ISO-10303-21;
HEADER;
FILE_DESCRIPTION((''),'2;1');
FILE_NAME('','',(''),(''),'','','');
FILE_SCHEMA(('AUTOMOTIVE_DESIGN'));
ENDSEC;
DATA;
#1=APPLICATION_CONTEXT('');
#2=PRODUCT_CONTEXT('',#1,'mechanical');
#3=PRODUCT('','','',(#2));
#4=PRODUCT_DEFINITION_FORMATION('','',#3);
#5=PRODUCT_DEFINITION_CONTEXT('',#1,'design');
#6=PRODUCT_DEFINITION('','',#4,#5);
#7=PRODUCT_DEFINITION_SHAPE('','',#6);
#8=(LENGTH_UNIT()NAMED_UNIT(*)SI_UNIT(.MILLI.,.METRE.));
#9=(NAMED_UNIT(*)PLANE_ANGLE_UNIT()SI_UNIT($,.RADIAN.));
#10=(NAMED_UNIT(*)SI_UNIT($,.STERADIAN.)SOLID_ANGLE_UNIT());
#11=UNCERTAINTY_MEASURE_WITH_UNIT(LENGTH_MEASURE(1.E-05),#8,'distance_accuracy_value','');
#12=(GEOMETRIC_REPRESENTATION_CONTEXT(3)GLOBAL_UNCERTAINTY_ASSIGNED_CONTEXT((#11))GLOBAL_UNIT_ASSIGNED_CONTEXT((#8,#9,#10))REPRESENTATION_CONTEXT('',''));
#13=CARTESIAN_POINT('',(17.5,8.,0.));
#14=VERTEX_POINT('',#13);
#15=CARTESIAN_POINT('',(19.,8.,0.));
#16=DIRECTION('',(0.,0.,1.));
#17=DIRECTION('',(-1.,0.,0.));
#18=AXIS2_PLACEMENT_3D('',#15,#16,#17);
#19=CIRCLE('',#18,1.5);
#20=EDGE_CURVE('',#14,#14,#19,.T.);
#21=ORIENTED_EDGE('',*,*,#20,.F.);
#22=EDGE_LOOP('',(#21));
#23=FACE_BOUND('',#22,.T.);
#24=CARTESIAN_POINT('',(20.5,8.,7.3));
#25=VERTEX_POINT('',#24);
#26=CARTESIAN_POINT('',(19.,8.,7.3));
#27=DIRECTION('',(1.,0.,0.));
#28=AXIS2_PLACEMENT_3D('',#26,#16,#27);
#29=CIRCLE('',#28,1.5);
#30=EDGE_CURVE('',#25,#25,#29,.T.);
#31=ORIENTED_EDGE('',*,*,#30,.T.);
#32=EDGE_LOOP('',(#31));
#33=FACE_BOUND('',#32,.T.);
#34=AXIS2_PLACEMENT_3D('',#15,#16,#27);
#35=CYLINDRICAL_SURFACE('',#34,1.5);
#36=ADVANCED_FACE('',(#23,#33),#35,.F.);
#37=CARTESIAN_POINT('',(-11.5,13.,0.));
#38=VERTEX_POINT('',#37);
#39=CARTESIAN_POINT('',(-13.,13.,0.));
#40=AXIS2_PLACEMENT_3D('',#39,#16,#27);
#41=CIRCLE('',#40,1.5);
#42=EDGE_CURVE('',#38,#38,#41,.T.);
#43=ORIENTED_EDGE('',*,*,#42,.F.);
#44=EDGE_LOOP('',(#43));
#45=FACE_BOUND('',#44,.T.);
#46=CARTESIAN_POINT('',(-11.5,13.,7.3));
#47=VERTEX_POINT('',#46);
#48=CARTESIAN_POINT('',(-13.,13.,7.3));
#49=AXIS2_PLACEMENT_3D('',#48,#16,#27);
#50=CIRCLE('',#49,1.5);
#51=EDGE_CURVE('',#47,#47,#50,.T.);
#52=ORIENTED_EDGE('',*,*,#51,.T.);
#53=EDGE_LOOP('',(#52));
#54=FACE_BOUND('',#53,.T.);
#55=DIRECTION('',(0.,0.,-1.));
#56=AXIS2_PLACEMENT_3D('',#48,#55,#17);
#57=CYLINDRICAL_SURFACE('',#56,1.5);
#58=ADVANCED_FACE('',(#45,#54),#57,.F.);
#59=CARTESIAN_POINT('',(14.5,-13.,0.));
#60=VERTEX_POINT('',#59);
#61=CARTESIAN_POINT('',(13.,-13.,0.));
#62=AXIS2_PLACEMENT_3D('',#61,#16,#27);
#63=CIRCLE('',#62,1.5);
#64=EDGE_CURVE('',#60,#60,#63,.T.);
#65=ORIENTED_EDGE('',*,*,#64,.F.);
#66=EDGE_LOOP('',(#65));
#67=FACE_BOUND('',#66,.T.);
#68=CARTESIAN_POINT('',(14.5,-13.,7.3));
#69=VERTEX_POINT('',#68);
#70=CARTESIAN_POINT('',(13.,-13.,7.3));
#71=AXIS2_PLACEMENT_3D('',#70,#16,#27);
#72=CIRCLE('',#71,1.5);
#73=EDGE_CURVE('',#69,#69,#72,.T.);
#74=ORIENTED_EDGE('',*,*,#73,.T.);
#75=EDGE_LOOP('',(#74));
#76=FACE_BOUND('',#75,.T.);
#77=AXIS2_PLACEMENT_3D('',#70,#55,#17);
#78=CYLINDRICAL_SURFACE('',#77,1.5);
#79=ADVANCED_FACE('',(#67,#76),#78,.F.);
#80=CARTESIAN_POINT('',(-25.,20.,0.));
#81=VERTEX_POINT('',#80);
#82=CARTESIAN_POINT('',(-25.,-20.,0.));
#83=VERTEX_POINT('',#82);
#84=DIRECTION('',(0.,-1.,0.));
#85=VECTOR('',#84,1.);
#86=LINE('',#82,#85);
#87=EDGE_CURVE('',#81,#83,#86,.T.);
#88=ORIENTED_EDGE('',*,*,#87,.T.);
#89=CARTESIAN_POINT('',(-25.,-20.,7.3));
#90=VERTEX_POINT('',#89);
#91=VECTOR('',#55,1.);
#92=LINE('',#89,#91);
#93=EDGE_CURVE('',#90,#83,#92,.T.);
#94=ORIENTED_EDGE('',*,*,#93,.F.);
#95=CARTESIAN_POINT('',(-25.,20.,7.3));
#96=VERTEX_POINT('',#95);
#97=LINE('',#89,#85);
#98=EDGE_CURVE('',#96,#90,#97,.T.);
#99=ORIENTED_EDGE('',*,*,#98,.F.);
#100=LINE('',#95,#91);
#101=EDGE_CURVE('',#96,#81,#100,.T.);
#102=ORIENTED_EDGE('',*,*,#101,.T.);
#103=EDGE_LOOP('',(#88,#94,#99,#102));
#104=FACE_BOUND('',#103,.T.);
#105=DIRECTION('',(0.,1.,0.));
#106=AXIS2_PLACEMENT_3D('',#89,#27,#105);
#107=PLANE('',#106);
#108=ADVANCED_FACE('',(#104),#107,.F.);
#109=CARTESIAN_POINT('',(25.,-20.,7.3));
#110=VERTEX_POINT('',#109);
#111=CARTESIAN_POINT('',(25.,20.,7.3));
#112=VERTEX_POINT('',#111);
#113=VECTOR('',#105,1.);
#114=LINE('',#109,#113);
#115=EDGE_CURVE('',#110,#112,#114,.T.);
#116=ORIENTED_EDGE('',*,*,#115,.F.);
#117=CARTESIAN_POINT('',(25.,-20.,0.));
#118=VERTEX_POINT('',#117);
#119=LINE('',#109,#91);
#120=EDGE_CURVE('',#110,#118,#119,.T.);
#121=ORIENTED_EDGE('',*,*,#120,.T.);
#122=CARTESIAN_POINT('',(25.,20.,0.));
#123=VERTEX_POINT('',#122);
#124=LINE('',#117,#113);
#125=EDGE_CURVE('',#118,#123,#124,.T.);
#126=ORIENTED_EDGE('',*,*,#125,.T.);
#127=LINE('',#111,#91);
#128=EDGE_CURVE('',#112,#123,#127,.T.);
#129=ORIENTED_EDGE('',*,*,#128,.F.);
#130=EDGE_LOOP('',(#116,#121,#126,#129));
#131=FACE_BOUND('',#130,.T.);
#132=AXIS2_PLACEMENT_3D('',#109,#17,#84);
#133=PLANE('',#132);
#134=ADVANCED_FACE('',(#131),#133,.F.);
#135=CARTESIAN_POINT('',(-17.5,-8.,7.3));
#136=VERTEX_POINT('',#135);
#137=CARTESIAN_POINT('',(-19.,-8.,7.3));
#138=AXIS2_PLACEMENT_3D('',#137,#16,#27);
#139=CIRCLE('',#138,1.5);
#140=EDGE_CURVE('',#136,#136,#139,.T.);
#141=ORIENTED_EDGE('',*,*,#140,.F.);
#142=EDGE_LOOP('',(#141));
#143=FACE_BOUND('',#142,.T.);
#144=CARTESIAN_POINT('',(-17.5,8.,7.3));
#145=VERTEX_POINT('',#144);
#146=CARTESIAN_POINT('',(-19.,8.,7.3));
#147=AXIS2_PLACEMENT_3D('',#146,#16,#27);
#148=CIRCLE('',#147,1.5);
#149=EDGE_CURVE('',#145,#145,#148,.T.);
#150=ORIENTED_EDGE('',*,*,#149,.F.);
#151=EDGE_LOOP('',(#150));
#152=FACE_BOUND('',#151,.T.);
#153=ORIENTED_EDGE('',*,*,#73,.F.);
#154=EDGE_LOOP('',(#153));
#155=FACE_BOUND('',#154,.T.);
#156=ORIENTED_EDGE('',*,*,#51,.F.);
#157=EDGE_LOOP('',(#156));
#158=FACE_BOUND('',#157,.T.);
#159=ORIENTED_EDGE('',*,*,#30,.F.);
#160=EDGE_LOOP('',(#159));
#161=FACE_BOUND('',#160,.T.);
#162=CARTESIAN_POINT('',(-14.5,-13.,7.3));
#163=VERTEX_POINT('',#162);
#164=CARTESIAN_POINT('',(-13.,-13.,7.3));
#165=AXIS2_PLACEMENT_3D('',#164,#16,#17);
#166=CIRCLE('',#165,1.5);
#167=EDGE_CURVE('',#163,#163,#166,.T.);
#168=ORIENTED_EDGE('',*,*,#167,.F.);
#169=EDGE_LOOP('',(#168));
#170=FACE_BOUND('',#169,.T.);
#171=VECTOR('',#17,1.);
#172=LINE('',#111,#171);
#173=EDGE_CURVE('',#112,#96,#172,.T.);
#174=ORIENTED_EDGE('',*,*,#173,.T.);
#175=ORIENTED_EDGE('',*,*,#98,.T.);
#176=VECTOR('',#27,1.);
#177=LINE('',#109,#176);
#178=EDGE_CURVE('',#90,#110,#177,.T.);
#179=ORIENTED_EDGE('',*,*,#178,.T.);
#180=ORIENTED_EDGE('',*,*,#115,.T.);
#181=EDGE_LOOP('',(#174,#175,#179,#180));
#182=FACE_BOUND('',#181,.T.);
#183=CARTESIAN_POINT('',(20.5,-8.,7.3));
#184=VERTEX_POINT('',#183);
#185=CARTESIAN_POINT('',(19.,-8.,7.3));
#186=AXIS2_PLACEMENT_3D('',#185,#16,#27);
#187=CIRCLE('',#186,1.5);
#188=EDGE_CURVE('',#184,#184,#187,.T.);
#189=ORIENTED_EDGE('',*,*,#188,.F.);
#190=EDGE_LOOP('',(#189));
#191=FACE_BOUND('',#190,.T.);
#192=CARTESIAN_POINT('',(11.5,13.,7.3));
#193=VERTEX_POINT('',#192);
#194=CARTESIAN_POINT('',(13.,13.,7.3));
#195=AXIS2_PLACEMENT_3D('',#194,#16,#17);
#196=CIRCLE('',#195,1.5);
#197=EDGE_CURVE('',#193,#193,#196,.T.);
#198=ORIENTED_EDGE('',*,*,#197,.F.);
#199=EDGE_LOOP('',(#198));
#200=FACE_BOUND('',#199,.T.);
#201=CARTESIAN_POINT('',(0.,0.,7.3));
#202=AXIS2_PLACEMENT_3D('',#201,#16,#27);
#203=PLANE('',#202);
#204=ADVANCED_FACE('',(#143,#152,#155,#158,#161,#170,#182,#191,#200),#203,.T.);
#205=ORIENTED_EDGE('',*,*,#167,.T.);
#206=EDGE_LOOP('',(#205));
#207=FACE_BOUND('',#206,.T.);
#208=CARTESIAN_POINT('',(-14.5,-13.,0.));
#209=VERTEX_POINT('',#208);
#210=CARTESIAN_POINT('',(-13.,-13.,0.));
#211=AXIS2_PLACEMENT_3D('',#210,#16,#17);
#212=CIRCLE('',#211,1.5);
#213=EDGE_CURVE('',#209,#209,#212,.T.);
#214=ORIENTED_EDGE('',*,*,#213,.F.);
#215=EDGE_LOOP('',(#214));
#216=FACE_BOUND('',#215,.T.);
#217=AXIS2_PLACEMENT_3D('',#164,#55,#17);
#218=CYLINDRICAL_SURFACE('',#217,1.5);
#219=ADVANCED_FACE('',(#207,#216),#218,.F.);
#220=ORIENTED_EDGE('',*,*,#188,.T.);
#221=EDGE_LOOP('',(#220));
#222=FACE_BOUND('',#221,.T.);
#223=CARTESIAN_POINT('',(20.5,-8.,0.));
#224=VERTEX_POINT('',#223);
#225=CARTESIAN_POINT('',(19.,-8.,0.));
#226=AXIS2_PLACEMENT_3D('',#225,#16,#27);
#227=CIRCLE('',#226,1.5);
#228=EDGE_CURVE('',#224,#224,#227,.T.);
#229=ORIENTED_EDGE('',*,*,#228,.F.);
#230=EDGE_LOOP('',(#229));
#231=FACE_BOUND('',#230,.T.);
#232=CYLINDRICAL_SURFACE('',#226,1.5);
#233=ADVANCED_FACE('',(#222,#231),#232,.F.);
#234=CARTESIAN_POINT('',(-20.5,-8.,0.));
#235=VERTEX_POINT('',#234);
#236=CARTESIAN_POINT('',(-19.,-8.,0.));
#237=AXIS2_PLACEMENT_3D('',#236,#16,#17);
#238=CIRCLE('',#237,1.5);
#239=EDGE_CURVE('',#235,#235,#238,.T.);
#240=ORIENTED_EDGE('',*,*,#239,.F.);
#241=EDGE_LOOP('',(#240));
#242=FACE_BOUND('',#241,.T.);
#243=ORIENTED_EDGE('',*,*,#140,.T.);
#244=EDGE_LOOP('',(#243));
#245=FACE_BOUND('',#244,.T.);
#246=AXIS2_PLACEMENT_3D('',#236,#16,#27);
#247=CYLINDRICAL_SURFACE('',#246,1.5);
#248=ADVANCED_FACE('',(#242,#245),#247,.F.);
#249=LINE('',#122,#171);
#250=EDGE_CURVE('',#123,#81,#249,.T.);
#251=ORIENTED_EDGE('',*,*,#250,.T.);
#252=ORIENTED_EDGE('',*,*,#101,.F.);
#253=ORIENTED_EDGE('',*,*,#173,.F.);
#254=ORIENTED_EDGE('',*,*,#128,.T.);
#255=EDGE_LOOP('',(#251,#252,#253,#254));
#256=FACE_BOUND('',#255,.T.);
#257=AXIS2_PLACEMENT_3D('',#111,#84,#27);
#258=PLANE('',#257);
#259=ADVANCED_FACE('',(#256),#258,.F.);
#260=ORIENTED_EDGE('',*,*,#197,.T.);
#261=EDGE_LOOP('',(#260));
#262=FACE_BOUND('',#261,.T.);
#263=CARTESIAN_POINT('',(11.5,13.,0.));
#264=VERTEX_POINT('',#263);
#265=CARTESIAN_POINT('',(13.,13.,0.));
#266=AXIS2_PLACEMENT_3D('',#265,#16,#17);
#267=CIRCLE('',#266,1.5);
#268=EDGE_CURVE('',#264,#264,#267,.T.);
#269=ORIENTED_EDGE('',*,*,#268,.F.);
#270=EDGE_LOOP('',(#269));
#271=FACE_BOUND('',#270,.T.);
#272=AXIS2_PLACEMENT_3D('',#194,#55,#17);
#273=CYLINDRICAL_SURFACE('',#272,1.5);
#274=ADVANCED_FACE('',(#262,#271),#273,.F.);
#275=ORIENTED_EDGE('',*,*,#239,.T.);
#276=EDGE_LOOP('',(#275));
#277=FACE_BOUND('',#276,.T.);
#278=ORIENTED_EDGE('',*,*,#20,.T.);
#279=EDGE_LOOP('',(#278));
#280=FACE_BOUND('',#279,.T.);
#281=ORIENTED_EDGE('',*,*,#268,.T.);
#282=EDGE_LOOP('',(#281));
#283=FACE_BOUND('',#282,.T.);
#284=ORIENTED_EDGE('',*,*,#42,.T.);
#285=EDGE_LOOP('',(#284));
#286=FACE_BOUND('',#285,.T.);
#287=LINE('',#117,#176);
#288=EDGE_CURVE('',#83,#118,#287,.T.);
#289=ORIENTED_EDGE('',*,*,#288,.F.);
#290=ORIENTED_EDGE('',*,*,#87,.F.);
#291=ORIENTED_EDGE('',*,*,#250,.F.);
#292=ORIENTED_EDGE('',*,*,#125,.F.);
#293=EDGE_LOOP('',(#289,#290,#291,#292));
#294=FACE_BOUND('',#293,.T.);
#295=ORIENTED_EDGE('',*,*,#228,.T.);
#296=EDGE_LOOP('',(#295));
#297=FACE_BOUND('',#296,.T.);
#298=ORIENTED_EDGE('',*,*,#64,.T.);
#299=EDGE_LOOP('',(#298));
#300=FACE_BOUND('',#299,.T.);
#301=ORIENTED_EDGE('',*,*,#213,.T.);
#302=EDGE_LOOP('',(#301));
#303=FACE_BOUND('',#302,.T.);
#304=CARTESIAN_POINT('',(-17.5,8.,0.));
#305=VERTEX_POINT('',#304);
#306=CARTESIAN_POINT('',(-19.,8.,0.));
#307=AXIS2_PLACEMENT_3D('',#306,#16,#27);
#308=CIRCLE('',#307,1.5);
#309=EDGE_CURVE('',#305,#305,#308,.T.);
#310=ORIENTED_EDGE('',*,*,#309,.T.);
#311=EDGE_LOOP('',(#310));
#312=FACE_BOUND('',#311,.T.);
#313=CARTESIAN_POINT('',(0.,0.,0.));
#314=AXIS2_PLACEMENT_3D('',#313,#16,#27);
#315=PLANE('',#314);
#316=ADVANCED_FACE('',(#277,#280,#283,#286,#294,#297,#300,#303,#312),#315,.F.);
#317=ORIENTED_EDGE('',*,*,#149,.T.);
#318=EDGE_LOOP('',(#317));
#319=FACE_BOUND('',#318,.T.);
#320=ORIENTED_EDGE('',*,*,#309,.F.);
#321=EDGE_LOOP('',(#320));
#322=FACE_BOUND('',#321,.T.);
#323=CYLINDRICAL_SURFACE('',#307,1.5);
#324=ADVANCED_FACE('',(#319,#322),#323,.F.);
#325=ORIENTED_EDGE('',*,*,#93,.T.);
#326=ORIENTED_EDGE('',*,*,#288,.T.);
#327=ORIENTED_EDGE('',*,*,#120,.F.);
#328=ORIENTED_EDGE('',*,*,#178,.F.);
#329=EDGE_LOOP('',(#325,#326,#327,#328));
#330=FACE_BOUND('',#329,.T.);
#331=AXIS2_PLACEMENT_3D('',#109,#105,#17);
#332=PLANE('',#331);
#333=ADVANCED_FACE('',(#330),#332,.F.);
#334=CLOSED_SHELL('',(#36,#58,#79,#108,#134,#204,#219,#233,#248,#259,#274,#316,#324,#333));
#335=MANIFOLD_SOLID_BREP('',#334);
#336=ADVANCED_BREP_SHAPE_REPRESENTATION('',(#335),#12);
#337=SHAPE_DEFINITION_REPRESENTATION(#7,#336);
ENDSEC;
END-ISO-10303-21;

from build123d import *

# Parameters (mm, degrees)
SKETCH1_W               = 50
SKETCH1_H               = 40
SKETCH1_R               = 1.5
BOSS_EXTRUDE1_DEPTH     = 7.3
CUT_EXTRUDE1_DEPTH      = 33.837326322
CUT_EXTRUDE1_DEPTH_BACK = 33.837326322
SKETCH2_R               = 1.5


with BuildPart() as part:
    # Sketch1 → Boss-Extrude1 (new body)
    with BuildSketch(Plane.XY):
        Rectangle(SKETCH1_W, SKETCH1_H)
        with Locations((-13, 13)):
            Circle(SKETCH1_R, mode=Mode.SUBTRACT)
        with Locations(Location((13, 13, 0), (0, 0, 180))):
            Circle(SKETCH1_R, mode=Mode.SUBTRACT)
        with Locations((13, -13)):
            Circle(SKETCH1_R, mode=Mode.SUBTRACT)
        with Locations(Location((-13, -13, 0), (0, 0, 180))):
            Circle(SKETCH1_R, mode=Mode.SUBTRACT)
    extrude(amount=BOSS_EXTRUDE1_DEPTH)

    # Sketch2 → Cut-Extrude1 (cut, two sides: drawn at the far end of the back side and taken through both)
    with BuildSketch(Plane.XY.offset(7.3).offset(-CUT_EXTRUDE1_DEPTH_BACK)):
        with Locations((-19, 8)):
            Circle(SKETCH2_R)
        with Locations((19, 8)):
            Circle(SKETCH2_R)
        with Locations((19, -8)):
            Circle(SKETCH2_R)
        with Locations((-19, -8)):
            Circle(SKETCH2_R)
    extrude(amount=CUT_EXTRUDE1_DEPTH + CUT_EXTRUDE1_DEPTH_BACK, mode=Mode.SUBTRACT)


solid = part.part
